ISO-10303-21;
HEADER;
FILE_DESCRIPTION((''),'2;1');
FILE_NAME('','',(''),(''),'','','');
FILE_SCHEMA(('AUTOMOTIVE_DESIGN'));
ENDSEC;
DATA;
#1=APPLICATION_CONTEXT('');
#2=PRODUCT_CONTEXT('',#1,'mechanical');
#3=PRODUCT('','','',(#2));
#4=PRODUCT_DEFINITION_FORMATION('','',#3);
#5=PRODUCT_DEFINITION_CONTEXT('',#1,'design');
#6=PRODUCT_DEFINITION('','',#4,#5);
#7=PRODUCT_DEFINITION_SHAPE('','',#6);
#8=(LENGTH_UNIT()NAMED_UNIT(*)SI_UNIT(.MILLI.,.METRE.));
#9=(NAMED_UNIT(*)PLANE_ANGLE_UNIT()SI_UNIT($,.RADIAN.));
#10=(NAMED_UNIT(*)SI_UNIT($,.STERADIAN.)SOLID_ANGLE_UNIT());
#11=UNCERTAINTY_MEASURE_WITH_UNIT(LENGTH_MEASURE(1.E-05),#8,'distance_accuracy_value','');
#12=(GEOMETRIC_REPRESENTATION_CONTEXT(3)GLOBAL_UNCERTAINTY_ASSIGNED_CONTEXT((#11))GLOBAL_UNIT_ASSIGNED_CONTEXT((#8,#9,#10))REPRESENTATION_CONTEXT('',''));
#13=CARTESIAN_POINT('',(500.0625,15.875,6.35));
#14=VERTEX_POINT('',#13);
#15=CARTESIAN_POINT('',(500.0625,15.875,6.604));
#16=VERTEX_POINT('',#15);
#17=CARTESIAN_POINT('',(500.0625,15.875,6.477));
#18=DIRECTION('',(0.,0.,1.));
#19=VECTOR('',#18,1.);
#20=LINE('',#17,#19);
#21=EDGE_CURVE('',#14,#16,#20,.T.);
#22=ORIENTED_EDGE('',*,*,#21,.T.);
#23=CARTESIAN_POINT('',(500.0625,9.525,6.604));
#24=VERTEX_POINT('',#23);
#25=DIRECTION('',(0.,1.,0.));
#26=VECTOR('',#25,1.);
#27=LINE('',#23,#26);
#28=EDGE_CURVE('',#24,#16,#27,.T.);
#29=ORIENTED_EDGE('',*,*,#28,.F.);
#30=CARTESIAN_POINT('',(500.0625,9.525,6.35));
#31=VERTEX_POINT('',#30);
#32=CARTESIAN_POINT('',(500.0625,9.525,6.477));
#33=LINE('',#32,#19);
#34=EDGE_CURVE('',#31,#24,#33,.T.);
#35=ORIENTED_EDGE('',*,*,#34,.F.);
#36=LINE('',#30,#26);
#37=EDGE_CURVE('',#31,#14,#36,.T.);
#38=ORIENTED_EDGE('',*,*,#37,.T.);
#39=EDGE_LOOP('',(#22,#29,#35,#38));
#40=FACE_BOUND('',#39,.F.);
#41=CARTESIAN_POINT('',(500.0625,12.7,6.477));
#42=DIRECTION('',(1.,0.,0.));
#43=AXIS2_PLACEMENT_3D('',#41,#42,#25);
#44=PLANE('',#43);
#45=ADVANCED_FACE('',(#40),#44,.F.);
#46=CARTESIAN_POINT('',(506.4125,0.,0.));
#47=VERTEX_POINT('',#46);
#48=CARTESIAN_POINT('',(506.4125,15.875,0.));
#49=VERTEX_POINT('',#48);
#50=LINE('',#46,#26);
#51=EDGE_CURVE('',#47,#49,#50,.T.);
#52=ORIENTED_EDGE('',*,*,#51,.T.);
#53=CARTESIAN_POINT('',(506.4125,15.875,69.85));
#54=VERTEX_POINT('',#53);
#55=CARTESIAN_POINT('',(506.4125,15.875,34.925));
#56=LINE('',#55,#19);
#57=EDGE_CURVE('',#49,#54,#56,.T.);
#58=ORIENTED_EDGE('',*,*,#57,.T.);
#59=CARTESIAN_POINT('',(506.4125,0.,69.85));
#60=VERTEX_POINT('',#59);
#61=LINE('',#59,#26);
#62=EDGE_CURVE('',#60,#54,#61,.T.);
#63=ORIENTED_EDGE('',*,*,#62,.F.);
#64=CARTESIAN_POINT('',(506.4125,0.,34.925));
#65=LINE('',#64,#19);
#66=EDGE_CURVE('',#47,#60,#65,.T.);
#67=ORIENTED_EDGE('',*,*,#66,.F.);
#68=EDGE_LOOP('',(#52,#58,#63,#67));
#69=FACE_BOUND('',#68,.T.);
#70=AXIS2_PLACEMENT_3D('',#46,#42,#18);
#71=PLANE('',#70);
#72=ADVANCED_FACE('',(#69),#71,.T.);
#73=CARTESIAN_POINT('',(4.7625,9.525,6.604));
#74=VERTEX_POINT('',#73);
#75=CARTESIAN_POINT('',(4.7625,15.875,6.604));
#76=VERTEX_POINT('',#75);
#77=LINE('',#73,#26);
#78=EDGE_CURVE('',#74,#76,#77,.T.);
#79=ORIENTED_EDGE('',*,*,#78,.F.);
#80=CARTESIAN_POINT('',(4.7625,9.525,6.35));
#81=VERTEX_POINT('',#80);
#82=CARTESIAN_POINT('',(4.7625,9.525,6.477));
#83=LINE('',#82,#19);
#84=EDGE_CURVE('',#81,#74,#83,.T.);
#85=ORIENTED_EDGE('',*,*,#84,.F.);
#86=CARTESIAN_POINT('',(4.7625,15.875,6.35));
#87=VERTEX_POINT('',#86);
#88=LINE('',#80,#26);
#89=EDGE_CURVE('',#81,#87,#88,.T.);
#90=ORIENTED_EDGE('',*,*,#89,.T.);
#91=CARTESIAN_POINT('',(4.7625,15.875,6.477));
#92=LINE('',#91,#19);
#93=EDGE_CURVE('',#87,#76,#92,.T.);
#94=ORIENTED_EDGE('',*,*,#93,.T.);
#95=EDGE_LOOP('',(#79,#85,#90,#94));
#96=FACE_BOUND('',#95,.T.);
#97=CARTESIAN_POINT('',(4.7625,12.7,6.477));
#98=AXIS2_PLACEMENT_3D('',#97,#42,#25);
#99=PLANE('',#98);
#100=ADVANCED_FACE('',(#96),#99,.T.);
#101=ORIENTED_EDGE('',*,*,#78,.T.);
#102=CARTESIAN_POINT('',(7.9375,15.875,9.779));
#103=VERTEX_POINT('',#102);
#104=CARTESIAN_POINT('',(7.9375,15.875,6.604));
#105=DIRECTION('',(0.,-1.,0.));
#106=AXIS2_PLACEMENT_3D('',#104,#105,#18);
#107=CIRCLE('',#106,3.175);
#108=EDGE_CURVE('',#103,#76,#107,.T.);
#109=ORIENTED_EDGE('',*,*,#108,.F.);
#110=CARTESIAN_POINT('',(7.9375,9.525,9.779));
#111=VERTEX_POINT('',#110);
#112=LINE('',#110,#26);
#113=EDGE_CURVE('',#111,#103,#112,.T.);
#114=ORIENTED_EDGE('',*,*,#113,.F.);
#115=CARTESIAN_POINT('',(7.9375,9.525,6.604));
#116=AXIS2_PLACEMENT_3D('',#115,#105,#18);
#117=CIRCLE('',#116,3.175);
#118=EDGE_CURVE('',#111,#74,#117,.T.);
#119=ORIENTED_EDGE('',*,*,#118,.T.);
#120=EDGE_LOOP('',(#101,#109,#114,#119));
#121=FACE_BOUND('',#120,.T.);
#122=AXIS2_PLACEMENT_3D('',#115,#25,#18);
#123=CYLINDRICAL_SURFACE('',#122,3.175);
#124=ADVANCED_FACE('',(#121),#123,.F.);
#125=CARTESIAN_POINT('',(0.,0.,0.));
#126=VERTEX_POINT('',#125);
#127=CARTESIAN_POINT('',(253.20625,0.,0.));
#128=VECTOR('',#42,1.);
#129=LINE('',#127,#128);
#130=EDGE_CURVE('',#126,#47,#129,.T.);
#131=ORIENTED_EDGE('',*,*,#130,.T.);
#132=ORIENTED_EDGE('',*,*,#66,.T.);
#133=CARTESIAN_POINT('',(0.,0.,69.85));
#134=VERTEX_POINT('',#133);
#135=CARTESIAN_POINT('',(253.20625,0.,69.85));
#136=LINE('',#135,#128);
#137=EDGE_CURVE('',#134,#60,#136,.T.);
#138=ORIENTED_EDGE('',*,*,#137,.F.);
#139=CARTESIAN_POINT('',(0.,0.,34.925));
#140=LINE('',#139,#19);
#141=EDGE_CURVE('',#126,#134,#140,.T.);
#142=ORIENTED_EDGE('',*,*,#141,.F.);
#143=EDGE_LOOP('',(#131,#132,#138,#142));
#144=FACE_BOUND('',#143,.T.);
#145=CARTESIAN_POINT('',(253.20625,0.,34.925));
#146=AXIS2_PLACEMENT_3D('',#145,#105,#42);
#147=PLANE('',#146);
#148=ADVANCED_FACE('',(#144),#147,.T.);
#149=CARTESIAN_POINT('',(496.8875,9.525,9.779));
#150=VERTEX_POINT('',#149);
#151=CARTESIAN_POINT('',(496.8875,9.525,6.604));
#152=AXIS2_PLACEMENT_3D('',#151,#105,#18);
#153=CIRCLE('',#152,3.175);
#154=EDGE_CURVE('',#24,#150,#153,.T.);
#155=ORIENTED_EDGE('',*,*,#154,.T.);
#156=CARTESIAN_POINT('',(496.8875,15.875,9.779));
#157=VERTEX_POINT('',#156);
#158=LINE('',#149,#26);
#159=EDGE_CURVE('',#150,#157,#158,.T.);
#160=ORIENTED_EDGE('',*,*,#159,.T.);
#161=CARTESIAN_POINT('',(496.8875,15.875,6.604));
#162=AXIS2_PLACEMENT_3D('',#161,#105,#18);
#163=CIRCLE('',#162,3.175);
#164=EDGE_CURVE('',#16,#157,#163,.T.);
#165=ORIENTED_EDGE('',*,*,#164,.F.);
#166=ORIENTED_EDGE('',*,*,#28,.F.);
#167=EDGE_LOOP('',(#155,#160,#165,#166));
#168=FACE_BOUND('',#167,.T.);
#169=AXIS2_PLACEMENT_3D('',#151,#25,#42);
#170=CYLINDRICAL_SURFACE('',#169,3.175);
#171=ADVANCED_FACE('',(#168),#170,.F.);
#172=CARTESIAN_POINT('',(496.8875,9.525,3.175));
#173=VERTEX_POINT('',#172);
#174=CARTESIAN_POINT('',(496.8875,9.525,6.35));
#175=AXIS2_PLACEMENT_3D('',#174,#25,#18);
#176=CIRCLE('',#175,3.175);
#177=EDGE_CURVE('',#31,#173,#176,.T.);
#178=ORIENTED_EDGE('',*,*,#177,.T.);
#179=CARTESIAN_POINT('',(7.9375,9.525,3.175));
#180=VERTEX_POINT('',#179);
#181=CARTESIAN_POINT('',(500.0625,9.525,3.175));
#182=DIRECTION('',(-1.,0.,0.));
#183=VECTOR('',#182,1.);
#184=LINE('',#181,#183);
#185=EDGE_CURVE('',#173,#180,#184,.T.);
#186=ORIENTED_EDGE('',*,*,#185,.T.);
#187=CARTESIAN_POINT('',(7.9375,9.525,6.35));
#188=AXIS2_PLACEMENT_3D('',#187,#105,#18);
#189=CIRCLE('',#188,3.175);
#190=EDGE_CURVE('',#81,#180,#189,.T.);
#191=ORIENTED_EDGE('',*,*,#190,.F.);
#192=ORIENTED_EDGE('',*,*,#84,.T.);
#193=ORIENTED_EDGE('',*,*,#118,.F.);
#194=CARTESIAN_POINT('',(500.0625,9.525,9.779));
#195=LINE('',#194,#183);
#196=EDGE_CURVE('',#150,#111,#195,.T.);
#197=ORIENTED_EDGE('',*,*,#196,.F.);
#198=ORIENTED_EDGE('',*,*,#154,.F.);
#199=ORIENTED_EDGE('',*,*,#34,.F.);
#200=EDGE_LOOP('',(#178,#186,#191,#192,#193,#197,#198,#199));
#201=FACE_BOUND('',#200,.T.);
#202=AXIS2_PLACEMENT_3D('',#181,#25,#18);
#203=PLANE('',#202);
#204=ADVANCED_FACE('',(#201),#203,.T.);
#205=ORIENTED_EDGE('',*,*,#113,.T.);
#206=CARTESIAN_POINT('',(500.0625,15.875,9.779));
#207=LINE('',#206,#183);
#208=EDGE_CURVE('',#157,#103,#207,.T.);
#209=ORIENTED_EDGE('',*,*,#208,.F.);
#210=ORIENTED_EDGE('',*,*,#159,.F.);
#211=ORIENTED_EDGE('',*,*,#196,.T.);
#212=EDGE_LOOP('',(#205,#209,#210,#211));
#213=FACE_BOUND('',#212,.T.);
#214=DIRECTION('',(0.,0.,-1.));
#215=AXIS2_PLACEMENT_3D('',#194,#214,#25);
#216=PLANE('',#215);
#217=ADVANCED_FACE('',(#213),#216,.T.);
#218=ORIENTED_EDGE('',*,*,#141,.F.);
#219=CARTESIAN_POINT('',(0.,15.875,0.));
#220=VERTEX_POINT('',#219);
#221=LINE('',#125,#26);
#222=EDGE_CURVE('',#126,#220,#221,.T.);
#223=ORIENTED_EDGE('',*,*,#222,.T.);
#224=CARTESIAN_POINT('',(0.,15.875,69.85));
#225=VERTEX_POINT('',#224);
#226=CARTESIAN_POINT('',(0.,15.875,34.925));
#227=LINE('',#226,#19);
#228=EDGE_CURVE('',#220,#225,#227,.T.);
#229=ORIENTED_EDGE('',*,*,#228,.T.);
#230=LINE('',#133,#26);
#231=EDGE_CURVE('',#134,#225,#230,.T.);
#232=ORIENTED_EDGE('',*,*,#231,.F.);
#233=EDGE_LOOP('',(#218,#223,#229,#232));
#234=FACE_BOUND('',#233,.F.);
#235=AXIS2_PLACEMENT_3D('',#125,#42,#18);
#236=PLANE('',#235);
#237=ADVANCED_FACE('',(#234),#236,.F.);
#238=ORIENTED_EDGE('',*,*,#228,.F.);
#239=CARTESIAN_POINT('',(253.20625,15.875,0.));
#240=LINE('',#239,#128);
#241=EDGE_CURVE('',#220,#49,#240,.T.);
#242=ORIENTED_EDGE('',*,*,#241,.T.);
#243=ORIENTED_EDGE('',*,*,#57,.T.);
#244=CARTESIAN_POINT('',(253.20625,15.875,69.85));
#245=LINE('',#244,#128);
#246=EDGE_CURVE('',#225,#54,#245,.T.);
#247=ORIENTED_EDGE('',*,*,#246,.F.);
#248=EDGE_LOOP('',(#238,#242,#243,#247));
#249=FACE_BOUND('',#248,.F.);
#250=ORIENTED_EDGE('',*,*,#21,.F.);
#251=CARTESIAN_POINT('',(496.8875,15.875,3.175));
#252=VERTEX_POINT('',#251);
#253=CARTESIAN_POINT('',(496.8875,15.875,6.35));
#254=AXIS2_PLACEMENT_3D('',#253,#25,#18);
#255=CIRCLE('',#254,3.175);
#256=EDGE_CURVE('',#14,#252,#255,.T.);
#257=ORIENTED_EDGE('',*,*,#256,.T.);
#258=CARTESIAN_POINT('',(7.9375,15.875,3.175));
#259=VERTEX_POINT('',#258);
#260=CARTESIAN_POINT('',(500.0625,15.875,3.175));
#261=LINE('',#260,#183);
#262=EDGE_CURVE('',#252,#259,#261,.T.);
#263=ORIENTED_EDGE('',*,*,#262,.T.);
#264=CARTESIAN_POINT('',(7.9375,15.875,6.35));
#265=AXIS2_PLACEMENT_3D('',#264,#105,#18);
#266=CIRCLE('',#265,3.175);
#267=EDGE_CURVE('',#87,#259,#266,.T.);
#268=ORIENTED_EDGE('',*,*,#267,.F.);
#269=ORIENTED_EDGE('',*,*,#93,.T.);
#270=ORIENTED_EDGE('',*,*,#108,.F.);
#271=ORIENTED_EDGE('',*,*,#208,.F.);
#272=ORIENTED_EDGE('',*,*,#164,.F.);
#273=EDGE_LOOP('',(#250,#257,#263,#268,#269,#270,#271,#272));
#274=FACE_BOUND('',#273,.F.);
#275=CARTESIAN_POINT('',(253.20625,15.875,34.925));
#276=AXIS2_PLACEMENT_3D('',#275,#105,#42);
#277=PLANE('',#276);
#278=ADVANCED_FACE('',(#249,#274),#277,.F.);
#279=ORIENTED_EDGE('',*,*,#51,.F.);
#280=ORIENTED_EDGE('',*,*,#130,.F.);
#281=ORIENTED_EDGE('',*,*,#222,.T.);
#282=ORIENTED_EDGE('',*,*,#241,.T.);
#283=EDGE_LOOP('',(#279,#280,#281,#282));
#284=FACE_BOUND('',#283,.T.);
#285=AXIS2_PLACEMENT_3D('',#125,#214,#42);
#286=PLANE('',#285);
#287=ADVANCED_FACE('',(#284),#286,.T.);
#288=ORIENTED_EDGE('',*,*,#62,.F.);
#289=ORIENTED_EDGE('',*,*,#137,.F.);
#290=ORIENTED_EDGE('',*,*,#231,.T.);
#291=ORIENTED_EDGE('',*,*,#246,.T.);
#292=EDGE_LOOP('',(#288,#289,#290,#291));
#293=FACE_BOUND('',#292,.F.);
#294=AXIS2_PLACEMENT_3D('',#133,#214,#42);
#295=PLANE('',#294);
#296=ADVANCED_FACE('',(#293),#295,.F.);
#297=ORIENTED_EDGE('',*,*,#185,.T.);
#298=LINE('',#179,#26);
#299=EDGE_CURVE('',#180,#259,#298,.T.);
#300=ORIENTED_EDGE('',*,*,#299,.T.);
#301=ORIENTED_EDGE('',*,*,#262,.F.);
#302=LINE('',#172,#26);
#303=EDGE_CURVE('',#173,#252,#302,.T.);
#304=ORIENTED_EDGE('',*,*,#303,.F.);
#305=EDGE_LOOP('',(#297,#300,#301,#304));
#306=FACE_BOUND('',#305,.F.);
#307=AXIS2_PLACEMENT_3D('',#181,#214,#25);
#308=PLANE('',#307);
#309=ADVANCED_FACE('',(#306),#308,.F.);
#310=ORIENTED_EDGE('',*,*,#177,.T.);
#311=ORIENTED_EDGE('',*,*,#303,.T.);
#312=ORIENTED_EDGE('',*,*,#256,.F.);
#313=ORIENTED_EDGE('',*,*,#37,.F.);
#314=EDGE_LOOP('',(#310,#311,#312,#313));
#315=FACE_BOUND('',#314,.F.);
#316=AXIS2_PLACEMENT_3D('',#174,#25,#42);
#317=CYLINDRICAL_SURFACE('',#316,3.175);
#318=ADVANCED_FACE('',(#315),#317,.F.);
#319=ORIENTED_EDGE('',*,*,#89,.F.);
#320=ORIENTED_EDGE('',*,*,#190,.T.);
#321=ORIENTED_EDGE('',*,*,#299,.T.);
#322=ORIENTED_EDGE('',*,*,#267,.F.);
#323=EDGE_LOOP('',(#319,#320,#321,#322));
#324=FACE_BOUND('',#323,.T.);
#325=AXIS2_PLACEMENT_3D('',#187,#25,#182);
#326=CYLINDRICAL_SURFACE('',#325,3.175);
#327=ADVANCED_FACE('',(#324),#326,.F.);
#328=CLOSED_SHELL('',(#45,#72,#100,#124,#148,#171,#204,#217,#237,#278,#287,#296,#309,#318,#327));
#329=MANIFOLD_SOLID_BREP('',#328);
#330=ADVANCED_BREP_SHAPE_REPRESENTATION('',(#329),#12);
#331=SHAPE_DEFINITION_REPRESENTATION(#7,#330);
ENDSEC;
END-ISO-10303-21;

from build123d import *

# Parameters (mm, degrees)
F0_W     = 506.4125
F0_H     = 69.85
F1_DEPTH = 15.875
F3_START = -6.35
F2_W     = 6.35
F2_H     = 6.604
F3_DEPTH = 495.3
F4_R     = 3.175


with BuildPart() as f1:
    # F0 (on Front) → F1 (new body)
    with BuildSketch(Plane.XZ):
        with Locations((253.20625, 34.925)):
            Rectangle(F0_W, F0_H)
    extrude(amount=-F1_DEPTH)

    # F2 (on face) → F3 (cut)
    with BuildSketch(Plane.YZ.offset(506.4125).offset(F3_START)):
        with Locations((12.7, 6.477)):
            Rectangle(F2_W, F2_H)
    extrude(amount=-F3_DEPTH, mode=Mode.SUBTRACT)

    # F4
    f4_edges = [f1.edges().sort_by_distance(p)[0] for p in [
        (500.0625, 12.7, 9.779),
        (500.0625, 12.7, 3.175),
        (4.7625, 12.7, 3.175),
        (4.7625, 12.7, 9.779),
    ]]
    fillet(f4_edges, radius=F4_R)


solid = f1.part
